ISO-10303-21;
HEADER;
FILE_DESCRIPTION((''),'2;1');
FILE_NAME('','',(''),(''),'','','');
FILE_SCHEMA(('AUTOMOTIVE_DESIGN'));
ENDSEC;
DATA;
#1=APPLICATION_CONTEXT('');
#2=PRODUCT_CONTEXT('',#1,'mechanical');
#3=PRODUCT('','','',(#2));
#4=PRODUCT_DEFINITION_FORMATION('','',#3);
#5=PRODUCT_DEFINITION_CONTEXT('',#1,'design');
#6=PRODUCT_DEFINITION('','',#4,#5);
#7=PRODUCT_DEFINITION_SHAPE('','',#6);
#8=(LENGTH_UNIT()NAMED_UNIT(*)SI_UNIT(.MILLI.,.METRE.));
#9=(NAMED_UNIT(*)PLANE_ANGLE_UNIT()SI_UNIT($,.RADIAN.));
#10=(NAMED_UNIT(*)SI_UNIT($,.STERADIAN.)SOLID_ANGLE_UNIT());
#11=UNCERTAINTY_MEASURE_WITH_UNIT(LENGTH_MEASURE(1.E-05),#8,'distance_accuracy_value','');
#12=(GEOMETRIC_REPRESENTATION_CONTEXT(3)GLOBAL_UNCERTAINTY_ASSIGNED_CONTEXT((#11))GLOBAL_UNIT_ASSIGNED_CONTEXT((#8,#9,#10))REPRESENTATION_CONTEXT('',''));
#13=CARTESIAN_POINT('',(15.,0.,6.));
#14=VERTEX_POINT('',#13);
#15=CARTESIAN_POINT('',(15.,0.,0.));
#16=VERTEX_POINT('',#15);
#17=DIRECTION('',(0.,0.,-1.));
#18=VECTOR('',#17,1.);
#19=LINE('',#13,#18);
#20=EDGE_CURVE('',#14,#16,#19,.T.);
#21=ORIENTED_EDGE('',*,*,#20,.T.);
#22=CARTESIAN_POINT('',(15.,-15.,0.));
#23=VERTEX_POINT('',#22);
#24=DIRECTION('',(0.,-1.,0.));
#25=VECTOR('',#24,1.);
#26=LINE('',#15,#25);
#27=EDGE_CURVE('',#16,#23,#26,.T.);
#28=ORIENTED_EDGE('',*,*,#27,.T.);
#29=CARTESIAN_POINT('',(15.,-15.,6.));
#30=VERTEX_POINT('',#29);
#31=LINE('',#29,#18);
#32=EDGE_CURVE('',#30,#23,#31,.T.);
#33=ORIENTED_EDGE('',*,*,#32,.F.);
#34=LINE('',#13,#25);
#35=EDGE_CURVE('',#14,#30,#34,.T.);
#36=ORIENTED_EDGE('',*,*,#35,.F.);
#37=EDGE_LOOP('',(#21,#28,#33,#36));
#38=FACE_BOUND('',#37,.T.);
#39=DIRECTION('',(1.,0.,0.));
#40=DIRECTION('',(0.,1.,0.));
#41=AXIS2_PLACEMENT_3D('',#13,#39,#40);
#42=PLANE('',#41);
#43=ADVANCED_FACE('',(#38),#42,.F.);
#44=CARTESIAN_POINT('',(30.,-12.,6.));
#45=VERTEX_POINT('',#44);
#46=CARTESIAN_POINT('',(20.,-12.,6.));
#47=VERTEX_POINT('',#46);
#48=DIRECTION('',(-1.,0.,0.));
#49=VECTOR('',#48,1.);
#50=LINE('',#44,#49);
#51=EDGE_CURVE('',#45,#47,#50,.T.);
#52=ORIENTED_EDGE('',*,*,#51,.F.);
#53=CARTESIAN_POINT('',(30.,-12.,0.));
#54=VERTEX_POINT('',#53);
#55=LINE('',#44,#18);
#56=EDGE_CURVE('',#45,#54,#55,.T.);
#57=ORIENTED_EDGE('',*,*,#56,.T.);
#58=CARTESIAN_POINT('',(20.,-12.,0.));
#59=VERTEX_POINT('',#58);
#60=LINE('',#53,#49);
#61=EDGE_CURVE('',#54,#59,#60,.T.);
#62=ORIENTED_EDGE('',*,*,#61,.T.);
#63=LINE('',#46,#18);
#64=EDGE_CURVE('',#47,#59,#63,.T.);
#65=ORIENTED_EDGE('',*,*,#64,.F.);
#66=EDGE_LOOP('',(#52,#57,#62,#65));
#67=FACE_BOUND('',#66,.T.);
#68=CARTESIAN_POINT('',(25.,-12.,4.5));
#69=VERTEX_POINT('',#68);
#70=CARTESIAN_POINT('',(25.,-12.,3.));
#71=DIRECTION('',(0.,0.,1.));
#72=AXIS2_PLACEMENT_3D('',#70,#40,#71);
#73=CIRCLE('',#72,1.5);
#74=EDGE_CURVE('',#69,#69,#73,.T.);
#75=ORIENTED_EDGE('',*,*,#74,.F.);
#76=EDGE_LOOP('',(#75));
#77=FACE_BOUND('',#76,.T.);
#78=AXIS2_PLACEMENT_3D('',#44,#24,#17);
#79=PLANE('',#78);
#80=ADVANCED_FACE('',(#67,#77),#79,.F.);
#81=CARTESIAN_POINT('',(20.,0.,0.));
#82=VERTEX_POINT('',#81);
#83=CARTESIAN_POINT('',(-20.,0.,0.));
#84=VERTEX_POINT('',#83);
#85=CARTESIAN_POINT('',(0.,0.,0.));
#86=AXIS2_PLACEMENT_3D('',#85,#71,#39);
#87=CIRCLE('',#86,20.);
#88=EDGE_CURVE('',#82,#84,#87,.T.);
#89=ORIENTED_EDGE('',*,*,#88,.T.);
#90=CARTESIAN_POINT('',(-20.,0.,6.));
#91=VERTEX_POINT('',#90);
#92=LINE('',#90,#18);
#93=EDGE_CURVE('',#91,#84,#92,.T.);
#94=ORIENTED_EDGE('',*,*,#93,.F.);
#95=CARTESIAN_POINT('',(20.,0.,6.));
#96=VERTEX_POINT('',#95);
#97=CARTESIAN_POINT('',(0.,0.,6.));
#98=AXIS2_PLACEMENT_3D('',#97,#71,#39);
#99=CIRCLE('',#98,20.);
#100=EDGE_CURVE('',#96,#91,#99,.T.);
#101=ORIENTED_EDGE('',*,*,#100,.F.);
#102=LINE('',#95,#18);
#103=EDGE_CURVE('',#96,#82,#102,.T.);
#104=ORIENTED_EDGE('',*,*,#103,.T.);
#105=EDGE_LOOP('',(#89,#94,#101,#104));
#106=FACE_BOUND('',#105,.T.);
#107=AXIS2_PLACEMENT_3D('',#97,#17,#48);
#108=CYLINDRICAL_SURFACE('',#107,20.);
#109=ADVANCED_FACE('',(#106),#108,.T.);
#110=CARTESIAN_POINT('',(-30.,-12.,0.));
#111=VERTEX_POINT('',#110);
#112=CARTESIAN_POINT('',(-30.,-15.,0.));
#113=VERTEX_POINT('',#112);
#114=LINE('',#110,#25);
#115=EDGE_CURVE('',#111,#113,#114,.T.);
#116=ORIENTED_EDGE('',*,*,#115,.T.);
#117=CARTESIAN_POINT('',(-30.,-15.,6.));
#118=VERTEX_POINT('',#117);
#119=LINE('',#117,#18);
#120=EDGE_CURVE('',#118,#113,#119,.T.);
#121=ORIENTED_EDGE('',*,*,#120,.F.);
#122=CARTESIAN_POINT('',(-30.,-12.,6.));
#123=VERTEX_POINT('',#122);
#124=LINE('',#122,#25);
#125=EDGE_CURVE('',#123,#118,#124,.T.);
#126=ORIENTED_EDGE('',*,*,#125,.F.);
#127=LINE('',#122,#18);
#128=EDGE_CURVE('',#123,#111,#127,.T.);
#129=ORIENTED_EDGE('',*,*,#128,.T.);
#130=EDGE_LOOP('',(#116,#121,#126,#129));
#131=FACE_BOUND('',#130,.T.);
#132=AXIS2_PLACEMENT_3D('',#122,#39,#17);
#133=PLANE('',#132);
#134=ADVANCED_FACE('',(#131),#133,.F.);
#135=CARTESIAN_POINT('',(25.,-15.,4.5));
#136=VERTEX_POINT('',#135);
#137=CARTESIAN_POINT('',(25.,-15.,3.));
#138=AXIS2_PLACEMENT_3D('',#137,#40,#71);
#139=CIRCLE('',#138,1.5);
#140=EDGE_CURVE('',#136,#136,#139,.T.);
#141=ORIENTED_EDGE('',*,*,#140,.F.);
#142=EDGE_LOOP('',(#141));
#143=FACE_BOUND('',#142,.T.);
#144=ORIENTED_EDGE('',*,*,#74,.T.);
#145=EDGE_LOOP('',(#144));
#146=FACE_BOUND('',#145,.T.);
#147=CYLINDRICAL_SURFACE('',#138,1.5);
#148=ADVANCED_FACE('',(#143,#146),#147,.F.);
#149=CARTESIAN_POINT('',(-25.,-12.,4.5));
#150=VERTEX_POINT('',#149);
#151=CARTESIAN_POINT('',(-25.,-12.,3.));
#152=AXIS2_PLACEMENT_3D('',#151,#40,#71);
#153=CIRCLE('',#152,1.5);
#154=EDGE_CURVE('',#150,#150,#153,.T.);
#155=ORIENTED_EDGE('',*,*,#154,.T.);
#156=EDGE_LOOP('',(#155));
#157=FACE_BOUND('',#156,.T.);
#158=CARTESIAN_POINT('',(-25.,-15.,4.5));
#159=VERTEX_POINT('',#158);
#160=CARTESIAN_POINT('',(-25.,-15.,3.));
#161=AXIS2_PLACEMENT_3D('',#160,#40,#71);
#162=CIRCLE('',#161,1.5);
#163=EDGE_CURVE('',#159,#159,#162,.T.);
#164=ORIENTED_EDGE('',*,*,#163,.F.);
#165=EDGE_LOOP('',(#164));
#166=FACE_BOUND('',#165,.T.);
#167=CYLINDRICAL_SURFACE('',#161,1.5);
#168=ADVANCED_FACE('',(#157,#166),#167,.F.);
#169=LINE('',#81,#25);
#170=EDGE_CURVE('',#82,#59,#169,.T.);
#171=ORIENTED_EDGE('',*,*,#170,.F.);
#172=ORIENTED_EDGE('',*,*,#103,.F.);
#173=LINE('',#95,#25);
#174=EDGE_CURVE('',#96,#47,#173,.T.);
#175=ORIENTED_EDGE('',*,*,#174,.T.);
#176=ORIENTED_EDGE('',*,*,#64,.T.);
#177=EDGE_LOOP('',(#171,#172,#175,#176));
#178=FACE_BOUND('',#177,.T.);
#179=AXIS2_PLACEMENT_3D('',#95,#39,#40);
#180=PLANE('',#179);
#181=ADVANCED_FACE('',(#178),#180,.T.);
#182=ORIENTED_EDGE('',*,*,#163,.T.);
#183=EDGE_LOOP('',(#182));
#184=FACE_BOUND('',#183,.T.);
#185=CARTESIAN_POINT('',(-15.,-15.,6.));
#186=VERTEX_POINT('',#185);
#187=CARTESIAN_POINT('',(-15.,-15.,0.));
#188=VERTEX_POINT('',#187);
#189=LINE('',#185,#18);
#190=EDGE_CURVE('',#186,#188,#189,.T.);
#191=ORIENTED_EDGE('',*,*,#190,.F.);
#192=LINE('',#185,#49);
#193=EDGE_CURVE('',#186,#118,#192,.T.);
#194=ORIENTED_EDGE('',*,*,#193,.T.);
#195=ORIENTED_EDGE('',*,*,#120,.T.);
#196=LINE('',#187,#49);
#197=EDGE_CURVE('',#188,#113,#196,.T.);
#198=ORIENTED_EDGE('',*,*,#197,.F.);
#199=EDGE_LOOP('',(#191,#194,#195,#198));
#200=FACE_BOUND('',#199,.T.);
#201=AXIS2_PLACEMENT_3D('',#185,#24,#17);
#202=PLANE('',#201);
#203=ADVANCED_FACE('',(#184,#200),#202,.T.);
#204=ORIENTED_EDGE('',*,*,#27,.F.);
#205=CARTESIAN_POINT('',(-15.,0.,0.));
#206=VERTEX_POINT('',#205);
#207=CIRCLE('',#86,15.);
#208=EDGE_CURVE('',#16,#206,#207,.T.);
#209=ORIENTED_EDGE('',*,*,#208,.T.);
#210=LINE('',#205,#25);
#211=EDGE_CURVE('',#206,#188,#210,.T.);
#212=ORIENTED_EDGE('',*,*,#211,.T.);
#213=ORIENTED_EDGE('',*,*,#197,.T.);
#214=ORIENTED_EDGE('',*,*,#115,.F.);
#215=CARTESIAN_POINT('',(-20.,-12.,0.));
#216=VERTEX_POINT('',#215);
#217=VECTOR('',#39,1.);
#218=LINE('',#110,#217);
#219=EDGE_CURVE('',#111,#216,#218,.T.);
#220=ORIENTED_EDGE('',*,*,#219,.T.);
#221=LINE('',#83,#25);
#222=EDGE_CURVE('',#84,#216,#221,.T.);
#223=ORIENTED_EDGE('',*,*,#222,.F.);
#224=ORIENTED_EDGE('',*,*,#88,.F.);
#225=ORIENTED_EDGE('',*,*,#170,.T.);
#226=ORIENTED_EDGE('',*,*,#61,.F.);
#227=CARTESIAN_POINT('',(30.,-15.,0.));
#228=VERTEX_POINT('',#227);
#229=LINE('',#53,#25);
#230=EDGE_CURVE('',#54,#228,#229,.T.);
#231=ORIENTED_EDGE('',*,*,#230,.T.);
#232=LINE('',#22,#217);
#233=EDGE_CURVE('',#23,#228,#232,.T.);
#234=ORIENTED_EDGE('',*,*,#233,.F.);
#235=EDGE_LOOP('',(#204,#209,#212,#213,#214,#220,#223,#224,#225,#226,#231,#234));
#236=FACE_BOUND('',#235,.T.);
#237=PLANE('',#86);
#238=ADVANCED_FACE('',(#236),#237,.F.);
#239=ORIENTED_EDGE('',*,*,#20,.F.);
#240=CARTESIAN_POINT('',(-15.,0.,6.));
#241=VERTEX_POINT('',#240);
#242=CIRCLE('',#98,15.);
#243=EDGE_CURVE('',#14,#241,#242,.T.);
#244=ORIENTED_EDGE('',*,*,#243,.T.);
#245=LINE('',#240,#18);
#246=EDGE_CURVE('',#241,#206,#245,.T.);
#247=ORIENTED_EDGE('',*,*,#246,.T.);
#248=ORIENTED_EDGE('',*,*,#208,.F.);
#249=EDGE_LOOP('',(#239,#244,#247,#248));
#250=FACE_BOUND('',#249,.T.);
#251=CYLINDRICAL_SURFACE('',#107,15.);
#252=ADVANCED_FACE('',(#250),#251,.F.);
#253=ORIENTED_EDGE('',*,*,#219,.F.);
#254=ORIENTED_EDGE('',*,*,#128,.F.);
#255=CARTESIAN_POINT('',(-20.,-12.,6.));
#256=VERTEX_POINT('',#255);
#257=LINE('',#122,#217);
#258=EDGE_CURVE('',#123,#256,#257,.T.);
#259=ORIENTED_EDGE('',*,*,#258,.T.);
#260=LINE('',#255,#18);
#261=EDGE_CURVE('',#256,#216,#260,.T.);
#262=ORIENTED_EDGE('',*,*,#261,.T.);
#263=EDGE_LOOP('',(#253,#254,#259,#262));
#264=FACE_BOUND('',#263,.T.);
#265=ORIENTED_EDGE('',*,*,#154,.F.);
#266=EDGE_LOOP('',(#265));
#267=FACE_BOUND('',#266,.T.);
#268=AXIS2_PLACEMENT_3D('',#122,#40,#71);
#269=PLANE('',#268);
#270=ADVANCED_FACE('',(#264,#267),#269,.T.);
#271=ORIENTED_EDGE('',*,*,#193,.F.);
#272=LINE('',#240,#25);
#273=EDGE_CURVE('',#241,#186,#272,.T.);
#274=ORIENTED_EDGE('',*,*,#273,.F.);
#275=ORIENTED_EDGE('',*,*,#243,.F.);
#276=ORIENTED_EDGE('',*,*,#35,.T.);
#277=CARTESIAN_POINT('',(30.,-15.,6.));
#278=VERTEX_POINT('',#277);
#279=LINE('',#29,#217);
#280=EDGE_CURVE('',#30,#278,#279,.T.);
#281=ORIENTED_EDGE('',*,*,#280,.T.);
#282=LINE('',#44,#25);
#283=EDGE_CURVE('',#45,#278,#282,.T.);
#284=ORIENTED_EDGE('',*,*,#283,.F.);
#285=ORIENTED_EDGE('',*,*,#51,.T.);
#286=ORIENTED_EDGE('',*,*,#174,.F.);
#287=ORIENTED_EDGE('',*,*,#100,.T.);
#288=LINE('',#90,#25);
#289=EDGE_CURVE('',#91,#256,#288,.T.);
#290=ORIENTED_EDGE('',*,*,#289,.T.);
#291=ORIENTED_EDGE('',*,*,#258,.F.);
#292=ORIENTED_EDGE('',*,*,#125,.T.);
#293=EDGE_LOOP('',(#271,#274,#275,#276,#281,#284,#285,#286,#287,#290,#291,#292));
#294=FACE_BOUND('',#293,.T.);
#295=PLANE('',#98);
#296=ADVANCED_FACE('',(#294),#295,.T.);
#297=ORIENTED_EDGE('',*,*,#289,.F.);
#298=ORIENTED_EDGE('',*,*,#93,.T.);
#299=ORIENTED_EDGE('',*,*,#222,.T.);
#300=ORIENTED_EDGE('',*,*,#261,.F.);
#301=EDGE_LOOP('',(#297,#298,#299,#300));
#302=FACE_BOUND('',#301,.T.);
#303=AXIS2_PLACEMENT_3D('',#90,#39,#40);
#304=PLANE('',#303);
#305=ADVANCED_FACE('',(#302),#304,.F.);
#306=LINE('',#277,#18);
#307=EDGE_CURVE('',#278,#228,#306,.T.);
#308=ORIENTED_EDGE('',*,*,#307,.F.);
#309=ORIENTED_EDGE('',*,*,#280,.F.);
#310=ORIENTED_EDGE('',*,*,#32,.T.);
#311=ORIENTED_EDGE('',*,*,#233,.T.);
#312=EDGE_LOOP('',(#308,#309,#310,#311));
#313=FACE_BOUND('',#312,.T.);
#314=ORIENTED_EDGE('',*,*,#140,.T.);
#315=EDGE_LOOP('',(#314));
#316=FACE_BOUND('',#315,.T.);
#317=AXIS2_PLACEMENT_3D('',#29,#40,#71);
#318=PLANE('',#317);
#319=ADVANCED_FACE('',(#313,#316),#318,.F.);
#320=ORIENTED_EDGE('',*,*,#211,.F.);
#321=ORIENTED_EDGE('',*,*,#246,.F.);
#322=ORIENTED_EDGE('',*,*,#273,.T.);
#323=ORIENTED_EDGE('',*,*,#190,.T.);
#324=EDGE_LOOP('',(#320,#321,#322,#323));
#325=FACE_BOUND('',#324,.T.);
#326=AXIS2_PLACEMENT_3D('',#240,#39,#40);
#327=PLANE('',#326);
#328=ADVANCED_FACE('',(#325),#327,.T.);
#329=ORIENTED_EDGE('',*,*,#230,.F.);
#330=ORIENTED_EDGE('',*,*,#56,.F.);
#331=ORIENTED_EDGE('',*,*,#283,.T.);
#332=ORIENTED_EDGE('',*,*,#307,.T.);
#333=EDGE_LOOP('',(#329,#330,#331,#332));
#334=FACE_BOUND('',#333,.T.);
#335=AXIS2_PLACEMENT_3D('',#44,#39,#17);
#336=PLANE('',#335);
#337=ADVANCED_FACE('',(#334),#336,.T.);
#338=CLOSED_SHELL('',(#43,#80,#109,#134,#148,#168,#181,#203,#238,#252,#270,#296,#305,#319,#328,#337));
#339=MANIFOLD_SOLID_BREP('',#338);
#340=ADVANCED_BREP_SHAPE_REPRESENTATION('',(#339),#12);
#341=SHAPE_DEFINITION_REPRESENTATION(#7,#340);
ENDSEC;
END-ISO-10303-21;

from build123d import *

# Parameters (mm, degrees)
BOSS_EXTRUDE1_DEPTH = 6
SKETCH2_R           = 1.5
CUT_EXTRUDE1_DEPTH  = 3


with BuildPart() as part:
    # Sketch1 → Boss-Extrude1 (new body)
    with BuildSketch(Plane.XY):
        with BuildLine():
            Line((15, 0), (15, -15))
            Line((15, -15), (30, -15))
            Line((30, -15), (30, -12))
            Line((30, -12), (20, -12))
            Line((20, -12), (20, 0))
            ThreePointArc((20, 0), (0, 20), (-20, 0))
            Line((-20, 0), (-20, -12))
            Line((-20, -12), (-30, -12))
            Line((-30, -12), (-30, -15))
            Line((-30, -15), (-15, -15))
            Line((-15, -15), (-15, 0))
            ThreePointArc((-15, 0), (0, 15), (15, 0))
        make_face()
    extrude(amount=BOSS_EXTRUDE1_DEPTH)

    # Sketch2 → Cut-Extrude1 (cut)
    with BuildSketch(Plane(origin=(0, -12, 0), x_dir=(1, 0, 0), z_dir=(0, 1, 0))):
        with Locations((-25, -3)):
            Circle(SKETCH2_R)
        with Locations((25, -3)):
            Circle(SKETCH2_R)
    extrude(amount=-CUT_EXTRUDE1_DEPTH, mode=Mode.SUBTRACT)


solid = part.part
